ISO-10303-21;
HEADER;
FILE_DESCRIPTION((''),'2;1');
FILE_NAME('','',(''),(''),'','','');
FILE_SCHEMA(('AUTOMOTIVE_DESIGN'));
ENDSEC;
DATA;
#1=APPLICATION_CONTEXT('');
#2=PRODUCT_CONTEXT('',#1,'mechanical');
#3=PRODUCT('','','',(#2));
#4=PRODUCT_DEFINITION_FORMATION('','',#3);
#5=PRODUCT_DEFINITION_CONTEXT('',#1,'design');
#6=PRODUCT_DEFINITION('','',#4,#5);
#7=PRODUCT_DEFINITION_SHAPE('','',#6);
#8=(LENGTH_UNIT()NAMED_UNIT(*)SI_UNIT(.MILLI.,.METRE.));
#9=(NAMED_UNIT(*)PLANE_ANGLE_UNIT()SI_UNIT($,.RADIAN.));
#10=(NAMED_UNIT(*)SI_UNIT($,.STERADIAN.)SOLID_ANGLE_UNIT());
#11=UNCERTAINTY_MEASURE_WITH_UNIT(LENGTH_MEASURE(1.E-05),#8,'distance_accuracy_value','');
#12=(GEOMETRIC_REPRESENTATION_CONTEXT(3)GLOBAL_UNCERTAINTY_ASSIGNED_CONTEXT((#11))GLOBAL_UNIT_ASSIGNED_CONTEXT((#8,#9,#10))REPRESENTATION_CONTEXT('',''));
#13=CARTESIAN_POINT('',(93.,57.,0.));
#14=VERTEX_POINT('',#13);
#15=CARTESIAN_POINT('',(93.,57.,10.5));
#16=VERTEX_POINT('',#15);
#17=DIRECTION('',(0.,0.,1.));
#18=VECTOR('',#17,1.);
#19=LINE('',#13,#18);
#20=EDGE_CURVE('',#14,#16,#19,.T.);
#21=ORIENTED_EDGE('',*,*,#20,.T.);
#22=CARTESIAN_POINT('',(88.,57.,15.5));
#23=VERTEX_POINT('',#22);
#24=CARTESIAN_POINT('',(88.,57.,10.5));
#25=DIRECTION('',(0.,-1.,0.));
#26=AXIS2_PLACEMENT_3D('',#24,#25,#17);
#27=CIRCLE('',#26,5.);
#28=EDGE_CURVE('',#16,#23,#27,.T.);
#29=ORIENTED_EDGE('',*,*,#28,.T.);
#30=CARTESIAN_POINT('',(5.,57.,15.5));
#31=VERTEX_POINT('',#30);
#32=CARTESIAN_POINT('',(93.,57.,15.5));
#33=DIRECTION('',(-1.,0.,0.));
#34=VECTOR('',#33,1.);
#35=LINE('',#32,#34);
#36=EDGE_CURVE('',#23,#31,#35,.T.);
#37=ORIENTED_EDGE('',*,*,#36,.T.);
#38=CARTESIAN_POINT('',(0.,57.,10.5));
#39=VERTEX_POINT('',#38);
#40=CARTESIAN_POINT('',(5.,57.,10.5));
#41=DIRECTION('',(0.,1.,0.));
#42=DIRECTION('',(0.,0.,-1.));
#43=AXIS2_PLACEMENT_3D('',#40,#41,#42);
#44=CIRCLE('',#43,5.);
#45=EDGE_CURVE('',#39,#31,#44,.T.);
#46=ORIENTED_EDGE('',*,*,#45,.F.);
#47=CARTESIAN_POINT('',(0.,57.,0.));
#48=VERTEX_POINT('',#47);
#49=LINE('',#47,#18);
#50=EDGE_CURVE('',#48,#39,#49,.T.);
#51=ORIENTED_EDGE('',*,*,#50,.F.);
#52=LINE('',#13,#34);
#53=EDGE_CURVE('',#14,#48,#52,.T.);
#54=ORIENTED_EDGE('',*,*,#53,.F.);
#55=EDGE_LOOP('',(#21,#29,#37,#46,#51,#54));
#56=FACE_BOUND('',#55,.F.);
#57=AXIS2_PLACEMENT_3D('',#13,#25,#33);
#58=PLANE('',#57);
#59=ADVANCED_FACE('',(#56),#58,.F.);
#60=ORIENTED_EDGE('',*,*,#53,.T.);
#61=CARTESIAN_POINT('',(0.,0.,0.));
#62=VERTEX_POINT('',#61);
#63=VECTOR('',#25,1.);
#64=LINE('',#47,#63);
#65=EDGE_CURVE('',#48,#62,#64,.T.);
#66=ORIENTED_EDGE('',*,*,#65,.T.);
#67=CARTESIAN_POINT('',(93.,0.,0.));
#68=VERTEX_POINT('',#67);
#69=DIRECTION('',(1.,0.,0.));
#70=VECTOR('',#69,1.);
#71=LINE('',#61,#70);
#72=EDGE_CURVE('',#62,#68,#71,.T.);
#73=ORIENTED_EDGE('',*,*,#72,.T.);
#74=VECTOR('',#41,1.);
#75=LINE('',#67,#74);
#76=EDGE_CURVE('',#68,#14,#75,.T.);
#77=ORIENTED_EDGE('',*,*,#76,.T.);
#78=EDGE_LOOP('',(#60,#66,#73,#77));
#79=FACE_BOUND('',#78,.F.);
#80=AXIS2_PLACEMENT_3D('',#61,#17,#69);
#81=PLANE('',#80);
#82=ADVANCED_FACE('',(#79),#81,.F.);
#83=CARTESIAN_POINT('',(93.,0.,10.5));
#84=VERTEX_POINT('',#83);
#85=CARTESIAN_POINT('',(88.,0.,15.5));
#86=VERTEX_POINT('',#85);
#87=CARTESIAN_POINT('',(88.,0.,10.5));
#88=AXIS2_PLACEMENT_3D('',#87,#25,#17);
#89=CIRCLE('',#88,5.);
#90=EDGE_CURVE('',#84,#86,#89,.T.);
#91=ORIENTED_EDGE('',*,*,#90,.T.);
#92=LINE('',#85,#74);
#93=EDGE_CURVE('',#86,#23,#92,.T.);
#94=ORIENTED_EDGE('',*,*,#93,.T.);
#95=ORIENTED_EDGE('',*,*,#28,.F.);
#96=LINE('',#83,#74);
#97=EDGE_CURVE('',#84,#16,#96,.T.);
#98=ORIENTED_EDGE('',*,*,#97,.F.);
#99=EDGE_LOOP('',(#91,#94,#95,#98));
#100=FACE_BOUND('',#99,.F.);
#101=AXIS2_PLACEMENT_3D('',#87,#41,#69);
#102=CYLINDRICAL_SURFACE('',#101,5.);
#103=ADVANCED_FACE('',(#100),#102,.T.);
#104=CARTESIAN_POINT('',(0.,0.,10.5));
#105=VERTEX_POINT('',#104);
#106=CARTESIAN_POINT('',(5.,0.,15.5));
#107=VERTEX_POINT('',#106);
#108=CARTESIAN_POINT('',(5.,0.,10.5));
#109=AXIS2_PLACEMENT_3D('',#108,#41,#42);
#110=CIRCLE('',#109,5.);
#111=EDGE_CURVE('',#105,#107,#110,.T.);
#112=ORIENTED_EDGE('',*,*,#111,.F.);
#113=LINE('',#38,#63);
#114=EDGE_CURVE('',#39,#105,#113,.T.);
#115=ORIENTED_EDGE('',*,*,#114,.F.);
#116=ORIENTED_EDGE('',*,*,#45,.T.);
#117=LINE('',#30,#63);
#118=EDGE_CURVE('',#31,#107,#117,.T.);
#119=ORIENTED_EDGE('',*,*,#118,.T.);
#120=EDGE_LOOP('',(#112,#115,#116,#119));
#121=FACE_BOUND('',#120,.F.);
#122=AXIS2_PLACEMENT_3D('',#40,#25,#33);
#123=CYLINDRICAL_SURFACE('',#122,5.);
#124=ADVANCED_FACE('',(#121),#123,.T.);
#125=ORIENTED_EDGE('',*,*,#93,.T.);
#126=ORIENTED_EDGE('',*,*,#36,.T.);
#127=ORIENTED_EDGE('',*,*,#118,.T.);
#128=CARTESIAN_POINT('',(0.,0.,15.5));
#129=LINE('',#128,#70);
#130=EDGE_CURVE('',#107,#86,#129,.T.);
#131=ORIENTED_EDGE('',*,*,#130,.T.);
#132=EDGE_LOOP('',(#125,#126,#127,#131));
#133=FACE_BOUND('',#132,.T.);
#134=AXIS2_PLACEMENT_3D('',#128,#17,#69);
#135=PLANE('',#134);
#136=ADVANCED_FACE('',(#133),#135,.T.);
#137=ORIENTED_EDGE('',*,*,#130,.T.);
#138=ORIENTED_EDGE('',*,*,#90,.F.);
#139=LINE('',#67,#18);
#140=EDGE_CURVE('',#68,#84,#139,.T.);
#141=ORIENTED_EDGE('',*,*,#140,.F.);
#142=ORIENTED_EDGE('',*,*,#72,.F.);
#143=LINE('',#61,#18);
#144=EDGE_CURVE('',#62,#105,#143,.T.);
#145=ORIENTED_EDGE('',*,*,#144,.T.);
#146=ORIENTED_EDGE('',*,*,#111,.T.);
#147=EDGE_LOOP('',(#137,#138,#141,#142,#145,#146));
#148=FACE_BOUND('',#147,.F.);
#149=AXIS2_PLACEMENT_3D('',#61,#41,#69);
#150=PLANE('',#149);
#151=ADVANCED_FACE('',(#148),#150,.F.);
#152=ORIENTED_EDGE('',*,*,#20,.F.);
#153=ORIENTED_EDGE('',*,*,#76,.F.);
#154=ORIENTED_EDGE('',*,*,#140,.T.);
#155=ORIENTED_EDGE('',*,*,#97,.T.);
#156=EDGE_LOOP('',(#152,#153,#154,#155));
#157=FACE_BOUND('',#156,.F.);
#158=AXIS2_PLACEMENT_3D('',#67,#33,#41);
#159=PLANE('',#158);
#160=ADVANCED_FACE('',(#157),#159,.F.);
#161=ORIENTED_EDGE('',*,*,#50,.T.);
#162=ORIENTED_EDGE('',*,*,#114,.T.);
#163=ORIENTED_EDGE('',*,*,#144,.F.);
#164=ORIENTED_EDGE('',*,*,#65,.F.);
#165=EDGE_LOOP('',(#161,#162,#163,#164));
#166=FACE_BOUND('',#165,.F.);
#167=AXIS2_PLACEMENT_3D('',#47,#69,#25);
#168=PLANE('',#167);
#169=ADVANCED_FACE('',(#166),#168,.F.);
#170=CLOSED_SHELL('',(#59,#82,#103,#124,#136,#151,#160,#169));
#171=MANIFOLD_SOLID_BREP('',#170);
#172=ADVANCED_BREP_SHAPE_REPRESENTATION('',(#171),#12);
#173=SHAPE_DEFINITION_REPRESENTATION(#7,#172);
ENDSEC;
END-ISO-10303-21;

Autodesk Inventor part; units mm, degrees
ref_plane "YZ Plane" through (0, 0, 0) normal (1, 0, 0) x (0, 1, 0)
ref_plane "XZ Plane" through (0, 0, 0) normal (0, 1, 0) x (-1, 0, 0)
ref_plane "XY Plane" through (0, 0, 0) normal (0, 0, 1) x (1, 0, 0)
sketch "Sketch1" plane through (0, 0, 0) normal (0, 0, 1) x (1, 0, 0)
  line L0 (0, 0) -> (93, 0)
  line L1 (93, 0) -> (93, 57)
  line L2 (93, 57) -> (0, 57)
  line L3 (0, 57) -> (0, 0)
  dimension "d0" = 93
  dimension "d1" = 57
extrude "Extrusion1" add sketch "Sketch1" along normal blind 15.5
fillet "Fillet1" radius 5 2 edges at (0, 28.5, 15.5) (93, 28.5, 15.5)
properties part number "BatteryPack"
